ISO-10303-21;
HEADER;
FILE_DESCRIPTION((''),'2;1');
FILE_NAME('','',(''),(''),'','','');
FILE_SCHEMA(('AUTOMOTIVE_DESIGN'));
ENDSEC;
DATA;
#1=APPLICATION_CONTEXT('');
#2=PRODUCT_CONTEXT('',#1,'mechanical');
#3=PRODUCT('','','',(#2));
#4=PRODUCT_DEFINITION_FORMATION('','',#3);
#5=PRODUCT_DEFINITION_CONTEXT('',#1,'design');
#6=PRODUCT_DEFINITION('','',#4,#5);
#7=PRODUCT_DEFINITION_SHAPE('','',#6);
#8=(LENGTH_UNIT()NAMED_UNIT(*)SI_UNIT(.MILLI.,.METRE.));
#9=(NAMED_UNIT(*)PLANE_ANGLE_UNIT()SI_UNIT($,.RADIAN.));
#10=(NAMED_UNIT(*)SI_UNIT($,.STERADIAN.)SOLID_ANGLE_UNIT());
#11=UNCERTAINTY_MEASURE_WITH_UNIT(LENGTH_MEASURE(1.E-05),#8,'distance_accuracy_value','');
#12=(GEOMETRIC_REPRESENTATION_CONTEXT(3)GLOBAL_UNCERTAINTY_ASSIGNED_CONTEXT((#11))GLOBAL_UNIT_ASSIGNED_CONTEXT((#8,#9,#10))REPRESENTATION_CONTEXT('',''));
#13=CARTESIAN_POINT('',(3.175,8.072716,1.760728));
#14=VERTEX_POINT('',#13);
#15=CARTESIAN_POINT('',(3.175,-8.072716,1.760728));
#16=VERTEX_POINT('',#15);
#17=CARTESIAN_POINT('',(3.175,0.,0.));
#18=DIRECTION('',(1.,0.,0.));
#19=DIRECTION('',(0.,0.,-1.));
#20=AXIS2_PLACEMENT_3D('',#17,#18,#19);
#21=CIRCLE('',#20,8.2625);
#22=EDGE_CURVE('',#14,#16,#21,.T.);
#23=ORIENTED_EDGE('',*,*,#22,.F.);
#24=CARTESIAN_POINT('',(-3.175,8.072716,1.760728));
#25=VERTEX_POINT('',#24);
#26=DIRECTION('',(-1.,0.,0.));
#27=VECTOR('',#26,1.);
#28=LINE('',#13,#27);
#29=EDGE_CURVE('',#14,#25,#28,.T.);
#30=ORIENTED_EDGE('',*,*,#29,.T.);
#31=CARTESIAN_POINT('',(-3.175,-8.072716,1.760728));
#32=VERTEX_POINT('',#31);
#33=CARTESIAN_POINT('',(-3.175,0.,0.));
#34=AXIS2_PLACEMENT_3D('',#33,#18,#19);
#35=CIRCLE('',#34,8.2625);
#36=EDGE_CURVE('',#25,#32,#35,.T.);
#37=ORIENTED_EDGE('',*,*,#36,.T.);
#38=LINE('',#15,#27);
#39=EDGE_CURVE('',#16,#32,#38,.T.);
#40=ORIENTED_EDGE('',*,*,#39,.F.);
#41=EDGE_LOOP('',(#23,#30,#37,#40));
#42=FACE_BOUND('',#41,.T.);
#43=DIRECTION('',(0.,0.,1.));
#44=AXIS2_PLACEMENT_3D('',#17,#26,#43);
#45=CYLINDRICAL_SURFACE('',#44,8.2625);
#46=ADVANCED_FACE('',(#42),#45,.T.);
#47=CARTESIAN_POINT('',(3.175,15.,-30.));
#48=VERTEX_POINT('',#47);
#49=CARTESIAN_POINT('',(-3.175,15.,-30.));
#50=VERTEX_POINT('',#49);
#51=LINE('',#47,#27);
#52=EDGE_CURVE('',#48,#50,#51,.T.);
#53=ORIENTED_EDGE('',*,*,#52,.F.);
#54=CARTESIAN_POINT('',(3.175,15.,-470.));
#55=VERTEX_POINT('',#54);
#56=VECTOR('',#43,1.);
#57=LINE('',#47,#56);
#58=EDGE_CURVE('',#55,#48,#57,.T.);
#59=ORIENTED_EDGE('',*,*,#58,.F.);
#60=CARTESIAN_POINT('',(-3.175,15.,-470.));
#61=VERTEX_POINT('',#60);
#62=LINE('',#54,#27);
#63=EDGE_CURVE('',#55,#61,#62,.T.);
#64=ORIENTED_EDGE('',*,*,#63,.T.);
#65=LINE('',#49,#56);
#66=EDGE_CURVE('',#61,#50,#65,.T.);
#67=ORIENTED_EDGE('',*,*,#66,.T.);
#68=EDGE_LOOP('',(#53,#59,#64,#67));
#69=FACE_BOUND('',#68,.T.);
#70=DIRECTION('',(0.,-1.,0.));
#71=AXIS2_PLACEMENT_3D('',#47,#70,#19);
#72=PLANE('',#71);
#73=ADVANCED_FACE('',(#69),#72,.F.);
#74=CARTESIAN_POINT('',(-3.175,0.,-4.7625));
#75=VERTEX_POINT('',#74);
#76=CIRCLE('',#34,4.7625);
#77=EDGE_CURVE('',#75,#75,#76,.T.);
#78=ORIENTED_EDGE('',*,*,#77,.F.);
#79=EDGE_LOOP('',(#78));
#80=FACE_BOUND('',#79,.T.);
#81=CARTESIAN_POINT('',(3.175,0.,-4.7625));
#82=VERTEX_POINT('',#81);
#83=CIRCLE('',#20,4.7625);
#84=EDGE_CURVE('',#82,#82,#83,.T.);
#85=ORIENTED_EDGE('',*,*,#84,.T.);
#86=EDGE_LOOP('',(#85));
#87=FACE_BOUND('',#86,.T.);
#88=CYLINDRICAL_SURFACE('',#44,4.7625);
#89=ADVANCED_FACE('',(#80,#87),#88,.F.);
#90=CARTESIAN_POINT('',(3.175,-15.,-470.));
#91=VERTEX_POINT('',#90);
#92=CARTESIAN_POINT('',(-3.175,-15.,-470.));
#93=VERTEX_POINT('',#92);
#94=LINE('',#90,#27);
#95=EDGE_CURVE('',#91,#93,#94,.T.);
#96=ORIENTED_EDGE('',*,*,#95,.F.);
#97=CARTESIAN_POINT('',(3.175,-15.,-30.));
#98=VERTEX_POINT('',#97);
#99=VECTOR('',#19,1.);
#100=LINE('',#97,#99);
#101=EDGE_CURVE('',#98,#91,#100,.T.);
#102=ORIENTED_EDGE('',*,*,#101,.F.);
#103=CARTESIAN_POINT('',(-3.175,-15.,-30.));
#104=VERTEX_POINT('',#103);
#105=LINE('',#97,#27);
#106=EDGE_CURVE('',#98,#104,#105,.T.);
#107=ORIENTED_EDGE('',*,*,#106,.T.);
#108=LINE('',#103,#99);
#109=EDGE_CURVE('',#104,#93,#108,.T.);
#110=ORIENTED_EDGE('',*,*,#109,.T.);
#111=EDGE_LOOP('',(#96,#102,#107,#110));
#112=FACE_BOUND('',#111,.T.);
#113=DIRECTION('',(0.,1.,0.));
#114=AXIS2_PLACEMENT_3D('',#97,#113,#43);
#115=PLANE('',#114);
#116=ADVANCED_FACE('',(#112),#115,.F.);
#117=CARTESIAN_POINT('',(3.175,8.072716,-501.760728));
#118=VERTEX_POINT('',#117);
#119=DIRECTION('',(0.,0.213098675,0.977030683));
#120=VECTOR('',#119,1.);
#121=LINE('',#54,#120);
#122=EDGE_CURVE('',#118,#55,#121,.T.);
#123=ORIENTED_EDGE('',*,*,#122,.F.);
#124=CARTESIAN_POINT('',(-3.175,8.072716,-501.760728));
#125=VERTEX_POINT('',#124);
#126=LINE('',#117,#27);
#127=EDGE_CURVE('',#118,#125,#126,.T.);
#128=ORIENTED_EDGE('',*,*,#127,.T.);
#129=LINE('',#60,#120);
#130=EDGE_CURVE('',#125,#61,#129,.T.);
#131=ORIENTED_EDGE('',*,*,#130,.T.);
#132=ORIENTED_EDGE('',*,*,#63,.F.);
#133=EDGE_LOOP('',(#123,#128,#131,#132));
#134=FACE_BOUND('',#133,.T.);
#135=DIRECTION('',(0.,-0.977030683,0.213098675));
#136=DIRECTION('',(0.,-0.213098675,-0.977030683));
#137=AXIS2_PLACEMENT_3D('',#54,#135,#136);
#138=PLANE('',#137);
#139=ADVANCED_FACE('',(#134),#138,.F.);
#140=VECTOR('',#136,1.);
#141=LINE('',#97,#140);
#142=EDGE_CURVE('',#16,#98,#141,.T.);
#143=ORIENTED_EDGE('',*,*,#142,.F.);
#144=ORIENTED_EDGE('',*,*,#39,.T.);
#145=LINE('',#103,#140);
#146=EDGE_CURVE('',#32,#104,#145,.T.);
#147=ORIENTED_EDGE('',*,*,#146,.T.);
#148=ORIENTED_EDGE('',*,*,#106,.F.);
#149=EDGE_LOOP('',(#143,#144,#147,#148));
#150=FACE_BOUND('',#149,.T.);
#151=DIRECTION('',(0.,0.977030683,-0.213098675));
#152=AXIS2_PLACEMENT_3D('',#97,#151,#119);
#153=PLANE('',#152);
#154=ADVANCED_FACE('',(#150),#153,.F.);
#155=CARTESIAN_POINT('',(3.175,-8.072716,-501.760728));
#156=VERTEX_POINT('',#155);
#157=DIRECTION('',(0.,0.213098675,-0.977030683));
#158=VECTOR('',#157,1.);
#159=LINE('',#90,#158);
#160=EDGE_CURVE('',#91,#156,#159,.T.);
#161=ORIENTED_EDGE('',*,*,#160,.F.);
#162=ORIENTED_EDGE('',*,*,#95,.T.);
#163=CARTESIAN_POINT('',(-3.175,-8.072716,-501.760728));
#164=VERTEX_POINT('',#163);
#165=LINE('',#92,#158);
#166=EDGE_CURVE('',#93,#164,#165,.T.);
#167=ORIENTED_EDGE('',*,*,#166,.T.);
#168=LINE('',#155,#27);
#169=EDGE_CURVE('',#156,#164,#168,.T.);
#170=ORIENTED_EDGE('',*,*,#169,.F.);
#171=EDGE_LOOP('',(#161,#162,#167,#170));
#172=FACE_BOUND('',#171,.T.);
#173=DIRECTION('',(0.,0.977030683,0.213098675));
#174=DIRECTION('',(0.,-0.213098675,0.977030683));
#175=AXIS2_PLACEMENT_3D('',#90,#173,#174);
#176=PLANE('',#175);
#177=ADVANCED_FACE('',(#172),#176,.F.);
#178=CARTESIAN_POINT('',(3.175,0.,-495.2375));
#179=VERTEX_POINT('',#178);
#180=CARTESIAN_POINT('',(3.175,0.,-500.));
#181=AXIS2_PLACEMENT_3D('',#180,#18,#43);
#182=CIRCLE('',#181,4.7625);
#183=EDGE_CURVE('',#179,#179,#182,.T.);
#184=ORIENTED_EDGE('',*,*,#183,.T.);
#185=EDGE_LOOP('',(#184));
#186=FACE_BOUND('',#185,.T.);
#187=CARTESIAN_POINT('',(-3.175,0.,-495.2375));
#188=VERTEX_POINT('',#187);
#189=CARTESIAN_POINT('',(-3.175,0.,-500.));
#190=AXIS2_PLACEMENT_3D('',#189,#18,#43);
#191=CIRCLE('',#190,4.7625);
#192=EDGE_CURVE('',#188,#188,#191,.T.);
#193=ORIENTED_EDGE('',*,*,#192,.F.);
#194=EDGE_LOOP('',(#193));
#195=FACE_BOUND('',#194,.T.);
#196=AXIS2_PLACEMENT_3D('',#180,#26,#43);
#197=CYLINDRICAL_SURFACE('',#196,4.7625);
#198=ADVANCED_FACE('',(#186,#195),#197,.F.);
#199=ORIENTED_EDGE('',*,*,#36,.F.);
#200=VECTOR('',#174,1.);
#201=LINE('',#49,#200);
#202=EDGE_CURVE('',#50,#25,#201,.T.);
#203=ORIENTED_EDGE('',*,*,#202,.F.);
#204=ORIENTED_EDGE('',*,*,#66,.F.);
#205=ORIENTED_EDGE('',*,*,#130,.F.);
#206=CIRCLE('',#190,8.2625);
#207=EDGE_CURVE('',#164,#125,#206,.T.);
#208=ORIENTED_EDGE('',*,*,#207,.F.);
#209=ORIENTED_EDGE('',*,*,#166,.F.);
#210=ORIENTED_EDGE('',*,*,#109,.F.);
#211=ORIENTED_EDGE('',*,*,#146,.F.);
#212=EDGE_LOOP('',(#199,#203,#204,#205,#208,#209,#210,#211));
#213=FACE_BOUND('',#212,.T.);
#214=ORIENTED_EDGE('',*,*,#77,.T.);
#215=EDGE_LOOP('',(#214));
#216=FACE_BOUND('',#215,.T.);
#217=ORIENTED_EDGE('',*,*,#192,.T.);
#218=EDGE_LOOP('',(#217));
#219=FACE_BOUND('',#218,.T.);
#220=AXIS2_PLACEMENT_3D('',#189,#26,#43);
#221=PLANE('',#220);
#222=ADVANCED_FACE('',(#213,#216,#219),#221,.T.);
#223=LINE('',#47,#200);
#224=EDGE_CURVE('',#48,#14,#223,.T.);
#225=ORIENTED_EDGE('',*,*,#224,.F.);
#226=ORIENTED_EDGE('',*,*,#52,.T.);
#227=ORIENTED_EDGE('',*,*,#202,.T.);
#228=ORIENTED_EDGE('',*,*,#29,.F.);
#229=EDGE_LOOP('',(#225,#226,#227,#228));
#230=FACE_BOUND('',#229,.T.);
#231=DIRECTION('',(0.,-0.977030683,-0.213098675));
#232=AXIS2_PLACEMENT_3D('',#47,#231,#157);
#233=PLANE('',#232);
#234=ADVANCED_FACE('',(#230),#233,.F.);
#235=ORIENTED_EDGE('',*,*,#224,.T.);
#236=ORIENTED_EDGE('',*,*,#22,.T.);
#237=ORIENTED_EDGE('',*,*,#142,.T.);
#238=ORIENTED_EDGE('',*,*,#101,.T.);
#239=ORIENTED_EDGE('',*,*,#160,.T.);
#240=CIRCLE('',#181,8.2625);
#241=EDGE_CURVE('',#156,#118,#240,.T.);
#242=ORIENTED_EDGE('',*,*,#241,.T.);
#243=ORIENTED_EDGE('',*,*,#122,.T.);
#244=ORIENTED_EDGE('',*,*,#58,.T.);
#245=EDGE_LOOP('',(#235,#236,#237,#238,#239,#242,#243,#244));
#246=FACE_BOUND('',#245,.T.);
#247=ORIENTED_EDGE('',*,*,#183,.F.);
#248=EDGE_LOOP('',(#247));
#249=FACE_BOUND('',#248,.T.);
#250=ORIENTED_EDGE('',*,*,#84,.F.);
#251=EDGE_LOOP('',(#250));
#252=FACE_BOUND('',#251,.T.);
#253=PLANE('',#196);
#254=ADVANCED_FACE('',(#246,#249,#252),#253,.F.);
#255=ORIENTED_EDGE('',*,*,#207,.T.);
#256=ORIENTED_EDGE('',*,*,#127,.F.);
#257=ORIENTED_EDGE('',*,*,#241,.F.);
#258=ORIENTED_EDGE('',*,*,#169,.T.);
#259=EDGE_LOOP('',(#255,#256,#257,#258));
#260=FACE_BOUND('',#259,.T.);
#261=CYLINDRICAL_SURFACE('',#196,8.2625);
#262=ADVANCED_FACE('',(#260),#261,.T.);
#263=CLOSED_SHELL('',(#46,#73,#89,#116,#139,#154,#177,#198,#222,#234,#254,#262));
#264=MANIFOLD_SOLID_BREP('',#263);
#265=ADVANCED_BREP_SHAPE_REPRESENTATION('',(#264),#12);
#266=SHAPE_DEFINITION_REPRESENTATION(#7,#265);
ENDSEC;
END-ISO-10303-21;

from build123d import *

# Parameters (mm, degrees)
SKETCH1_R           = 4.7625
BOSS_EXTRUDE1_DEPTH = 3.175


with BuildPart() as part:
    # Sketch1 → Boss-Extrude1 (new, symmetric)
    with BuildSketch(Plane(origin=(0, 0, 0), x_dir=(0, 0, -1), z_dir=(1, 0, 0))):
        with BuildLine():
            Line((30, 15), (-1.760727799, 8.072716015))
            ThreePointArc((-1.760727799, 8.072716015), (-8.2625, 0), (-1.760727799, -8.072716015))
            Line((-1.760727799, -8.072716015), (30, -15))
            Line((30, -15), (470, -15))
            Line((470, -15), (501.760727799, -8.072716015))
            ThreePointArc((501.760727799, -8.072716015), (508.2625, 0), (501.760727799, 8.072716015))
            Line((501.760727799, 8.072716015), (470, 15))
            Line((470, 15), (30, 15))
        make_face()
        Circle(SKETCH1_R, mode=Mode.SUBTRACT)
        with Locations(Location((500, 0, 0), (0, 0, 180))):
            Circle(SKETCH1_R, mode=Mode.SUBTRACT)
    extrude(amount=BOSS_EXTRUDE1_DEPTH, both=True)


solid = part.part
